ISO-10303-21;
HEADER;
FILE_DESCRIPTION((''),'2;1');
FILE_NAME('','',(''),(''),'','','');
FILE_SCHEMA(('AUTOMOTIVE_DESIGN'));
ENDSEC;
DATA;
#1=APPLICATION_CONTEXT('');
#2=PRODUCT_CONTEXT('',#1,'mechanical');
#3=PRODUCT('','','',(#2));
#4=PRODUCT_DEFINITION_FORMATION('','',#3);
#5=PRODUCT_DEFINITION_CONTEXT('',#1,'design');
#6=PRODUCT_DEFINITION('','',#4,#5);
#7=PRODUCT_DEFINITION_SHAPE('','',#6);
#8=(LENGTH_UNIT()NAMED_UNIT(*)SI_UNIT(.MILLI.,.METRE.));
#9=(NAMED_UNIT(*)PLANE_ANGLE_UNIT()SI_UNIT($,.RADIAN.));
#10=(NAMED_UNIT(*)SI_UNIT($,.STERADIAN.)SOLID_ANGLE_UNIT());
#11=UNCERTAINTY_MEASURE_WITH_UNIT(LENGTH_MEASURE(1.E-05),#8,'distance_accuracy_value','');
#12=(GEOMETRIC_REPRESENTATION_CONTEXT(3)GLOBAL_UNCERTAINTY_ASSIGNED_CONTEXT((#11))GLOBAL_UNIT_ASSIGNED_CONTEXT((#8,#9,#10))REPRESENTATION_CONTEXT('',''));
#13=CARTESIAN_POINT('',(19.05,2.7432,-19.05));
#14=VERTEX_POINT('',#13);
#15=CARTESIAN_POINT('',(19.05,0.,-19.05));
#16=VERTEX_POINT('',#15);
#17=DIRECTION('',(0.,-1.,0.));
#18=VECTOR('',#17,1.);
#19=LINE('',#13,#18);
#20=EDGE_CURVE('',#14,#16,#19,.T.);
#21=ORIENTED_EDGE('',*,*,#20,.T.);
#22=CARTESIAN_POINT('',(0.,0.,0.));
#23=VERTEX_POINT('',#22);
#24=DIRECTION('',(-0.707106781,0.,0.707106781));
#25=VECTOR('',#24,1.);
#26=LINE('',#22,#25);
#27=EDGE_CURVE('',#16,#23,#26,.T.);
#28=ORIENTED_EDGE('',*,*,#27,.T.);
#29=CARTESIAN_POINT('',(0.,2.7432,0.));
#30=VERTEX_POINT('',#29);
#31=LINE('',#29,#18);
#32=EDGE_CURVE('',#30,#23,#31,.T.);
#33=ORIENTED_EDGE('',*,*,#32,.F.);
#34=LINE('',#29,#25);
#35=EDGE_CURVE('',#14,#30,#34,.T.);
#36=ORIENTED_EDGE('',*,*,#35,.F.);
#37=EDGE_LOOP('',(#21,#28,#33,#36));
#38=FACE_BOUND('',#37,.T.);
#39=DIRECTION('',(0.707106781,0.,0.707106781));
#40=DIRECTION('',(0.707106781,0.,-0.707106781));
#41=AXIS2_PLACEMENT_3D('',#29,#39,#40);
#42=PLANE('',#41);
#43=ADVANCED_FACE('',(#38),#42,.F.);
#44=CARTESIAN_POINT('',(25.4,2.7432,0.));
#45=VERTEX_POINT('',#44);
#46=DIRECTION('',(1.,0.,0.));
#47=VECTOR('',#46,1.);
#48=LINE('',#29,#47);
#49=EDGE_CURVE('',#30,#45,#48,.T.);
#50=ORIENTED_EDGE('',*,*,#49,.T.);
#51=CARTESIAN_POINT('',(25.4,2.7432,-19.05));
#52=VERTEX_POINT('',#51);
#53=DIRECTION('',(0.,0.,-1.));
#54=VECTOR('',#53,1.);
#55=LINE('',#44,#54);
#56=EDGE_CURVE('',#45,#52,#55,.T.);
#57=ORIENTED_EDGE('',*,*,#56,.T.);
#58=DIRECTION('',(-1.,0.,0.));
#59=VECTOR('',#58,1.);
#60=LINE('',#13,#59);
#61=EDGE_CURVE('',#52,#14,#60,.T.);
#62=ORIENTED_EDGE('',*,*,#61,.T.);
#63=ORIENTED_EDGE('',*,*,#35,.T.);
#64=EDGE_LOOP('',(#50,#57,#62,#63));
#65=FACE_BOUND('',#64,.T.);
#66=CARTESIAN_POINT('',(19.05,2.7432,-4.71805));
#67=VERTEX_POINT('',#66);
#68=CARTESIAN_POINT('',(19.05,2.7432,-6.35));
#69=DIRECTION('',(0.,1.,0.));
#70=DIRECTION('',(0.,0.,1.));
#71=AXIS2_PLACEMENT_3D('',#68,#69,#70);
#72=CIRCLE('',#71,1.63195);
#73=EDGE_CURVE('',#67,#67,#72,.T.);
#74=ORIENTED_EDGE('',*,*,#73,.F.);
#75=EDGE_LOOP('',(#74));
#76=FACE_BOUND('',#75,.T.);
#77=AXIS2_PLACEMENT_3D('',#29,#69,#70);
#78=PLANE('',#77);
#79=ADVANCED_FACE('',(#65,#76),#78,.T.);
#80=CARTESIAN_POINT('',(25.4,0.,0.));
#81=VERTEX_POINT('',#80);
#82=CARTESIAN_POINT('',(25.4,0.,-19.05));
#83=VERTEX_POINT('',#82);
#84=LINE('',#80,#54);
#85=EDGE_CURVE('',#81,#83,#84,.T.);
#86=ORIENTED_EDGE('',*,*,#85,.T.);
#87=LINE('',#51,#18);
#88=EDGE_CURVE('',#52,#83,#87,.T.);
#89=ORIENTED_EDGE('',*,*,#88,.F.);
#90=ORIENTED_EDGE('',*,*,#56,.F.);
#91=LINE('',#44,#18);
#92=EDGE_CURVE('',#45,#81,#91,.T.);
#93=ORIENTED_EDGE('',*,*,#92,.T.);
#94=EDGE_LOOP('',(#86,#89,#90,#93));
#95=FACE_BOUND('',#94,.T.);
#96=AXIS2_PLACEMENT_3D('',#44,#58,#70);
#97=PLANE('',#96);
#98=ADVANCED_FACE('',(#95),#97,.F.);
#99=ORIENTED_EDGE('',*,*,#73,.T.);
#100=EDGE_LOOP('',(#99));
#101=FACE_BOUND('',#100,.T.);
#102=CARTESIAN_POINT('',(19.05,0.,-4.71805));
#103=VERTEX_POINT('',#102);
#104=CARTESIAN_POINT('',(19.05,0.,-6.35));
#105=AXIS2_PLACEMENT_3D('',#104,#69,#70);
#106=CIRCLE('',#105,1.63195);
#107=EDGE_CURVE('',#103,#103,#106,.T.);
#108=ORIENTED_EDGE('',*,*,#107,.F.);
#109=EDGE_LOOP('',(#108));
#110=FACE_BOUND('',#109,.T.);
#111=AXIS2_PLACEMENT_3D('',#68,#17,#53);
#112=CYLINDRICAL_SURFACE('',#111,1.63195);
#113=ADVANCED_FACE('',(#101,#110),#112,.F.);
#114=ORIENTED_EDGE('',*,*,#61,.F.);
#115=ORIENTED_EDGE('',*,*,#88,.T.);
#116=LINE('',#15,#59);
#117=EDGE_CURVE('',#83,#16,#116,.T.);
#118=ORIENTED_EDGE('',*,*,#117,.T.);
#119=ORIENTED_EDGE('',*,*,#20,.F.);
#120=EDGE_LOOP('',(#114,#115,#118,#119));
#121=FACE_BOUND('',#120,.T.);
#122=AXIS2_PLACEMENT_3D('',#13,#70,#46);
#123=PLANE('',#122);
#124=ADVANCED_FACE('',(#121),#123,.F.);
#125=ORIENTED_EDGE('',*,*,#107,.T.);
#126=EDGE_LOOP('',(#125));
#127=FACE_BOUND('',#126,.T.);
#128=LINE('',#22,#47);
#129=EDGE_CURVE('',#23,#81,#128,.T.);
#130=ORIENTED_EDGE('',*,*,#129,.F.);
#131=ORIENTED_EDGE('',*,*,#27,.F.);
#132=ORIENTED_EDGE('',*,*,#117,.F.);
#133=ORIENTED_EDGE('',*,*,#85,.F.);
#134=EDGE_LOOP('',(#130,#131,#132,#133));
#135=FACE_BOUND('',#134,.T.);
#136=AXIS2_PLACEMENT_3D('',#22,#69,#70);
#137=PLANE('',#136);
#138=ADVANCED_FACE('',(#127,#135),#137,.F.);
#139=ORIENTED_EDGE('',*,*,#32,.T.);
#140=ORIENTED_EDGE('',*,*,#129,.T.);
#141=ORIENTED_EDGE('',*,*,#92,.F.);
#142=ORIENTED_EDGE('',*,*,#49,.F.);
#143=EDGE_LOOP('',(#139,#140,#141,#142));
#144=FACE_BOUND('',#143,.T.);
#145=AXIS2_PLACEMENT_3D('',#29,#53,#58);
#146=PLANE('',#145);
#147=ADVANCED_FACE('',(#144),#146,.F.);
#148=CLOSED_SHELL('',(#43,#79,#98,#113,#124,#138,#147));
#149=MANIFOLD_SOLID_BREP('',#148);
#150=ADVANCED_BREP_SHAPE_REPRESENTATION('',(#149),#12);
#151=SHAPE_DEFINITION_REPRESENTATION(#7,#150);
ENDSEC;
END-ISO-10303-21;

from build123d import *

# Parameters (mm, degrees)
SKETCH2_R           = 1.63195
BOSS_EXTRUDE1_DEPTH = 2.7432


with BuildPart() as part:
    # Sketch2 → Boss-Extrude1 (new body)
    with BuildSketch(Plane(origin=(0, 0, 0), x_dir=(1, 0, 0), z_dir=(0, 1, 0))):
        Polygon((0, 0), (19.05, 19.05), (25.4, 19.05), (25.4, 0), align=None)
        with Locations(Location((19.05, 6.35, 0), (0, 0, 270))):
            Circle(SKETCH2_R, mode=Mode.SUBTRACT)
    extrude(amount=BOSS_EXTRUDE1_DEPTH)


solid = part.part
